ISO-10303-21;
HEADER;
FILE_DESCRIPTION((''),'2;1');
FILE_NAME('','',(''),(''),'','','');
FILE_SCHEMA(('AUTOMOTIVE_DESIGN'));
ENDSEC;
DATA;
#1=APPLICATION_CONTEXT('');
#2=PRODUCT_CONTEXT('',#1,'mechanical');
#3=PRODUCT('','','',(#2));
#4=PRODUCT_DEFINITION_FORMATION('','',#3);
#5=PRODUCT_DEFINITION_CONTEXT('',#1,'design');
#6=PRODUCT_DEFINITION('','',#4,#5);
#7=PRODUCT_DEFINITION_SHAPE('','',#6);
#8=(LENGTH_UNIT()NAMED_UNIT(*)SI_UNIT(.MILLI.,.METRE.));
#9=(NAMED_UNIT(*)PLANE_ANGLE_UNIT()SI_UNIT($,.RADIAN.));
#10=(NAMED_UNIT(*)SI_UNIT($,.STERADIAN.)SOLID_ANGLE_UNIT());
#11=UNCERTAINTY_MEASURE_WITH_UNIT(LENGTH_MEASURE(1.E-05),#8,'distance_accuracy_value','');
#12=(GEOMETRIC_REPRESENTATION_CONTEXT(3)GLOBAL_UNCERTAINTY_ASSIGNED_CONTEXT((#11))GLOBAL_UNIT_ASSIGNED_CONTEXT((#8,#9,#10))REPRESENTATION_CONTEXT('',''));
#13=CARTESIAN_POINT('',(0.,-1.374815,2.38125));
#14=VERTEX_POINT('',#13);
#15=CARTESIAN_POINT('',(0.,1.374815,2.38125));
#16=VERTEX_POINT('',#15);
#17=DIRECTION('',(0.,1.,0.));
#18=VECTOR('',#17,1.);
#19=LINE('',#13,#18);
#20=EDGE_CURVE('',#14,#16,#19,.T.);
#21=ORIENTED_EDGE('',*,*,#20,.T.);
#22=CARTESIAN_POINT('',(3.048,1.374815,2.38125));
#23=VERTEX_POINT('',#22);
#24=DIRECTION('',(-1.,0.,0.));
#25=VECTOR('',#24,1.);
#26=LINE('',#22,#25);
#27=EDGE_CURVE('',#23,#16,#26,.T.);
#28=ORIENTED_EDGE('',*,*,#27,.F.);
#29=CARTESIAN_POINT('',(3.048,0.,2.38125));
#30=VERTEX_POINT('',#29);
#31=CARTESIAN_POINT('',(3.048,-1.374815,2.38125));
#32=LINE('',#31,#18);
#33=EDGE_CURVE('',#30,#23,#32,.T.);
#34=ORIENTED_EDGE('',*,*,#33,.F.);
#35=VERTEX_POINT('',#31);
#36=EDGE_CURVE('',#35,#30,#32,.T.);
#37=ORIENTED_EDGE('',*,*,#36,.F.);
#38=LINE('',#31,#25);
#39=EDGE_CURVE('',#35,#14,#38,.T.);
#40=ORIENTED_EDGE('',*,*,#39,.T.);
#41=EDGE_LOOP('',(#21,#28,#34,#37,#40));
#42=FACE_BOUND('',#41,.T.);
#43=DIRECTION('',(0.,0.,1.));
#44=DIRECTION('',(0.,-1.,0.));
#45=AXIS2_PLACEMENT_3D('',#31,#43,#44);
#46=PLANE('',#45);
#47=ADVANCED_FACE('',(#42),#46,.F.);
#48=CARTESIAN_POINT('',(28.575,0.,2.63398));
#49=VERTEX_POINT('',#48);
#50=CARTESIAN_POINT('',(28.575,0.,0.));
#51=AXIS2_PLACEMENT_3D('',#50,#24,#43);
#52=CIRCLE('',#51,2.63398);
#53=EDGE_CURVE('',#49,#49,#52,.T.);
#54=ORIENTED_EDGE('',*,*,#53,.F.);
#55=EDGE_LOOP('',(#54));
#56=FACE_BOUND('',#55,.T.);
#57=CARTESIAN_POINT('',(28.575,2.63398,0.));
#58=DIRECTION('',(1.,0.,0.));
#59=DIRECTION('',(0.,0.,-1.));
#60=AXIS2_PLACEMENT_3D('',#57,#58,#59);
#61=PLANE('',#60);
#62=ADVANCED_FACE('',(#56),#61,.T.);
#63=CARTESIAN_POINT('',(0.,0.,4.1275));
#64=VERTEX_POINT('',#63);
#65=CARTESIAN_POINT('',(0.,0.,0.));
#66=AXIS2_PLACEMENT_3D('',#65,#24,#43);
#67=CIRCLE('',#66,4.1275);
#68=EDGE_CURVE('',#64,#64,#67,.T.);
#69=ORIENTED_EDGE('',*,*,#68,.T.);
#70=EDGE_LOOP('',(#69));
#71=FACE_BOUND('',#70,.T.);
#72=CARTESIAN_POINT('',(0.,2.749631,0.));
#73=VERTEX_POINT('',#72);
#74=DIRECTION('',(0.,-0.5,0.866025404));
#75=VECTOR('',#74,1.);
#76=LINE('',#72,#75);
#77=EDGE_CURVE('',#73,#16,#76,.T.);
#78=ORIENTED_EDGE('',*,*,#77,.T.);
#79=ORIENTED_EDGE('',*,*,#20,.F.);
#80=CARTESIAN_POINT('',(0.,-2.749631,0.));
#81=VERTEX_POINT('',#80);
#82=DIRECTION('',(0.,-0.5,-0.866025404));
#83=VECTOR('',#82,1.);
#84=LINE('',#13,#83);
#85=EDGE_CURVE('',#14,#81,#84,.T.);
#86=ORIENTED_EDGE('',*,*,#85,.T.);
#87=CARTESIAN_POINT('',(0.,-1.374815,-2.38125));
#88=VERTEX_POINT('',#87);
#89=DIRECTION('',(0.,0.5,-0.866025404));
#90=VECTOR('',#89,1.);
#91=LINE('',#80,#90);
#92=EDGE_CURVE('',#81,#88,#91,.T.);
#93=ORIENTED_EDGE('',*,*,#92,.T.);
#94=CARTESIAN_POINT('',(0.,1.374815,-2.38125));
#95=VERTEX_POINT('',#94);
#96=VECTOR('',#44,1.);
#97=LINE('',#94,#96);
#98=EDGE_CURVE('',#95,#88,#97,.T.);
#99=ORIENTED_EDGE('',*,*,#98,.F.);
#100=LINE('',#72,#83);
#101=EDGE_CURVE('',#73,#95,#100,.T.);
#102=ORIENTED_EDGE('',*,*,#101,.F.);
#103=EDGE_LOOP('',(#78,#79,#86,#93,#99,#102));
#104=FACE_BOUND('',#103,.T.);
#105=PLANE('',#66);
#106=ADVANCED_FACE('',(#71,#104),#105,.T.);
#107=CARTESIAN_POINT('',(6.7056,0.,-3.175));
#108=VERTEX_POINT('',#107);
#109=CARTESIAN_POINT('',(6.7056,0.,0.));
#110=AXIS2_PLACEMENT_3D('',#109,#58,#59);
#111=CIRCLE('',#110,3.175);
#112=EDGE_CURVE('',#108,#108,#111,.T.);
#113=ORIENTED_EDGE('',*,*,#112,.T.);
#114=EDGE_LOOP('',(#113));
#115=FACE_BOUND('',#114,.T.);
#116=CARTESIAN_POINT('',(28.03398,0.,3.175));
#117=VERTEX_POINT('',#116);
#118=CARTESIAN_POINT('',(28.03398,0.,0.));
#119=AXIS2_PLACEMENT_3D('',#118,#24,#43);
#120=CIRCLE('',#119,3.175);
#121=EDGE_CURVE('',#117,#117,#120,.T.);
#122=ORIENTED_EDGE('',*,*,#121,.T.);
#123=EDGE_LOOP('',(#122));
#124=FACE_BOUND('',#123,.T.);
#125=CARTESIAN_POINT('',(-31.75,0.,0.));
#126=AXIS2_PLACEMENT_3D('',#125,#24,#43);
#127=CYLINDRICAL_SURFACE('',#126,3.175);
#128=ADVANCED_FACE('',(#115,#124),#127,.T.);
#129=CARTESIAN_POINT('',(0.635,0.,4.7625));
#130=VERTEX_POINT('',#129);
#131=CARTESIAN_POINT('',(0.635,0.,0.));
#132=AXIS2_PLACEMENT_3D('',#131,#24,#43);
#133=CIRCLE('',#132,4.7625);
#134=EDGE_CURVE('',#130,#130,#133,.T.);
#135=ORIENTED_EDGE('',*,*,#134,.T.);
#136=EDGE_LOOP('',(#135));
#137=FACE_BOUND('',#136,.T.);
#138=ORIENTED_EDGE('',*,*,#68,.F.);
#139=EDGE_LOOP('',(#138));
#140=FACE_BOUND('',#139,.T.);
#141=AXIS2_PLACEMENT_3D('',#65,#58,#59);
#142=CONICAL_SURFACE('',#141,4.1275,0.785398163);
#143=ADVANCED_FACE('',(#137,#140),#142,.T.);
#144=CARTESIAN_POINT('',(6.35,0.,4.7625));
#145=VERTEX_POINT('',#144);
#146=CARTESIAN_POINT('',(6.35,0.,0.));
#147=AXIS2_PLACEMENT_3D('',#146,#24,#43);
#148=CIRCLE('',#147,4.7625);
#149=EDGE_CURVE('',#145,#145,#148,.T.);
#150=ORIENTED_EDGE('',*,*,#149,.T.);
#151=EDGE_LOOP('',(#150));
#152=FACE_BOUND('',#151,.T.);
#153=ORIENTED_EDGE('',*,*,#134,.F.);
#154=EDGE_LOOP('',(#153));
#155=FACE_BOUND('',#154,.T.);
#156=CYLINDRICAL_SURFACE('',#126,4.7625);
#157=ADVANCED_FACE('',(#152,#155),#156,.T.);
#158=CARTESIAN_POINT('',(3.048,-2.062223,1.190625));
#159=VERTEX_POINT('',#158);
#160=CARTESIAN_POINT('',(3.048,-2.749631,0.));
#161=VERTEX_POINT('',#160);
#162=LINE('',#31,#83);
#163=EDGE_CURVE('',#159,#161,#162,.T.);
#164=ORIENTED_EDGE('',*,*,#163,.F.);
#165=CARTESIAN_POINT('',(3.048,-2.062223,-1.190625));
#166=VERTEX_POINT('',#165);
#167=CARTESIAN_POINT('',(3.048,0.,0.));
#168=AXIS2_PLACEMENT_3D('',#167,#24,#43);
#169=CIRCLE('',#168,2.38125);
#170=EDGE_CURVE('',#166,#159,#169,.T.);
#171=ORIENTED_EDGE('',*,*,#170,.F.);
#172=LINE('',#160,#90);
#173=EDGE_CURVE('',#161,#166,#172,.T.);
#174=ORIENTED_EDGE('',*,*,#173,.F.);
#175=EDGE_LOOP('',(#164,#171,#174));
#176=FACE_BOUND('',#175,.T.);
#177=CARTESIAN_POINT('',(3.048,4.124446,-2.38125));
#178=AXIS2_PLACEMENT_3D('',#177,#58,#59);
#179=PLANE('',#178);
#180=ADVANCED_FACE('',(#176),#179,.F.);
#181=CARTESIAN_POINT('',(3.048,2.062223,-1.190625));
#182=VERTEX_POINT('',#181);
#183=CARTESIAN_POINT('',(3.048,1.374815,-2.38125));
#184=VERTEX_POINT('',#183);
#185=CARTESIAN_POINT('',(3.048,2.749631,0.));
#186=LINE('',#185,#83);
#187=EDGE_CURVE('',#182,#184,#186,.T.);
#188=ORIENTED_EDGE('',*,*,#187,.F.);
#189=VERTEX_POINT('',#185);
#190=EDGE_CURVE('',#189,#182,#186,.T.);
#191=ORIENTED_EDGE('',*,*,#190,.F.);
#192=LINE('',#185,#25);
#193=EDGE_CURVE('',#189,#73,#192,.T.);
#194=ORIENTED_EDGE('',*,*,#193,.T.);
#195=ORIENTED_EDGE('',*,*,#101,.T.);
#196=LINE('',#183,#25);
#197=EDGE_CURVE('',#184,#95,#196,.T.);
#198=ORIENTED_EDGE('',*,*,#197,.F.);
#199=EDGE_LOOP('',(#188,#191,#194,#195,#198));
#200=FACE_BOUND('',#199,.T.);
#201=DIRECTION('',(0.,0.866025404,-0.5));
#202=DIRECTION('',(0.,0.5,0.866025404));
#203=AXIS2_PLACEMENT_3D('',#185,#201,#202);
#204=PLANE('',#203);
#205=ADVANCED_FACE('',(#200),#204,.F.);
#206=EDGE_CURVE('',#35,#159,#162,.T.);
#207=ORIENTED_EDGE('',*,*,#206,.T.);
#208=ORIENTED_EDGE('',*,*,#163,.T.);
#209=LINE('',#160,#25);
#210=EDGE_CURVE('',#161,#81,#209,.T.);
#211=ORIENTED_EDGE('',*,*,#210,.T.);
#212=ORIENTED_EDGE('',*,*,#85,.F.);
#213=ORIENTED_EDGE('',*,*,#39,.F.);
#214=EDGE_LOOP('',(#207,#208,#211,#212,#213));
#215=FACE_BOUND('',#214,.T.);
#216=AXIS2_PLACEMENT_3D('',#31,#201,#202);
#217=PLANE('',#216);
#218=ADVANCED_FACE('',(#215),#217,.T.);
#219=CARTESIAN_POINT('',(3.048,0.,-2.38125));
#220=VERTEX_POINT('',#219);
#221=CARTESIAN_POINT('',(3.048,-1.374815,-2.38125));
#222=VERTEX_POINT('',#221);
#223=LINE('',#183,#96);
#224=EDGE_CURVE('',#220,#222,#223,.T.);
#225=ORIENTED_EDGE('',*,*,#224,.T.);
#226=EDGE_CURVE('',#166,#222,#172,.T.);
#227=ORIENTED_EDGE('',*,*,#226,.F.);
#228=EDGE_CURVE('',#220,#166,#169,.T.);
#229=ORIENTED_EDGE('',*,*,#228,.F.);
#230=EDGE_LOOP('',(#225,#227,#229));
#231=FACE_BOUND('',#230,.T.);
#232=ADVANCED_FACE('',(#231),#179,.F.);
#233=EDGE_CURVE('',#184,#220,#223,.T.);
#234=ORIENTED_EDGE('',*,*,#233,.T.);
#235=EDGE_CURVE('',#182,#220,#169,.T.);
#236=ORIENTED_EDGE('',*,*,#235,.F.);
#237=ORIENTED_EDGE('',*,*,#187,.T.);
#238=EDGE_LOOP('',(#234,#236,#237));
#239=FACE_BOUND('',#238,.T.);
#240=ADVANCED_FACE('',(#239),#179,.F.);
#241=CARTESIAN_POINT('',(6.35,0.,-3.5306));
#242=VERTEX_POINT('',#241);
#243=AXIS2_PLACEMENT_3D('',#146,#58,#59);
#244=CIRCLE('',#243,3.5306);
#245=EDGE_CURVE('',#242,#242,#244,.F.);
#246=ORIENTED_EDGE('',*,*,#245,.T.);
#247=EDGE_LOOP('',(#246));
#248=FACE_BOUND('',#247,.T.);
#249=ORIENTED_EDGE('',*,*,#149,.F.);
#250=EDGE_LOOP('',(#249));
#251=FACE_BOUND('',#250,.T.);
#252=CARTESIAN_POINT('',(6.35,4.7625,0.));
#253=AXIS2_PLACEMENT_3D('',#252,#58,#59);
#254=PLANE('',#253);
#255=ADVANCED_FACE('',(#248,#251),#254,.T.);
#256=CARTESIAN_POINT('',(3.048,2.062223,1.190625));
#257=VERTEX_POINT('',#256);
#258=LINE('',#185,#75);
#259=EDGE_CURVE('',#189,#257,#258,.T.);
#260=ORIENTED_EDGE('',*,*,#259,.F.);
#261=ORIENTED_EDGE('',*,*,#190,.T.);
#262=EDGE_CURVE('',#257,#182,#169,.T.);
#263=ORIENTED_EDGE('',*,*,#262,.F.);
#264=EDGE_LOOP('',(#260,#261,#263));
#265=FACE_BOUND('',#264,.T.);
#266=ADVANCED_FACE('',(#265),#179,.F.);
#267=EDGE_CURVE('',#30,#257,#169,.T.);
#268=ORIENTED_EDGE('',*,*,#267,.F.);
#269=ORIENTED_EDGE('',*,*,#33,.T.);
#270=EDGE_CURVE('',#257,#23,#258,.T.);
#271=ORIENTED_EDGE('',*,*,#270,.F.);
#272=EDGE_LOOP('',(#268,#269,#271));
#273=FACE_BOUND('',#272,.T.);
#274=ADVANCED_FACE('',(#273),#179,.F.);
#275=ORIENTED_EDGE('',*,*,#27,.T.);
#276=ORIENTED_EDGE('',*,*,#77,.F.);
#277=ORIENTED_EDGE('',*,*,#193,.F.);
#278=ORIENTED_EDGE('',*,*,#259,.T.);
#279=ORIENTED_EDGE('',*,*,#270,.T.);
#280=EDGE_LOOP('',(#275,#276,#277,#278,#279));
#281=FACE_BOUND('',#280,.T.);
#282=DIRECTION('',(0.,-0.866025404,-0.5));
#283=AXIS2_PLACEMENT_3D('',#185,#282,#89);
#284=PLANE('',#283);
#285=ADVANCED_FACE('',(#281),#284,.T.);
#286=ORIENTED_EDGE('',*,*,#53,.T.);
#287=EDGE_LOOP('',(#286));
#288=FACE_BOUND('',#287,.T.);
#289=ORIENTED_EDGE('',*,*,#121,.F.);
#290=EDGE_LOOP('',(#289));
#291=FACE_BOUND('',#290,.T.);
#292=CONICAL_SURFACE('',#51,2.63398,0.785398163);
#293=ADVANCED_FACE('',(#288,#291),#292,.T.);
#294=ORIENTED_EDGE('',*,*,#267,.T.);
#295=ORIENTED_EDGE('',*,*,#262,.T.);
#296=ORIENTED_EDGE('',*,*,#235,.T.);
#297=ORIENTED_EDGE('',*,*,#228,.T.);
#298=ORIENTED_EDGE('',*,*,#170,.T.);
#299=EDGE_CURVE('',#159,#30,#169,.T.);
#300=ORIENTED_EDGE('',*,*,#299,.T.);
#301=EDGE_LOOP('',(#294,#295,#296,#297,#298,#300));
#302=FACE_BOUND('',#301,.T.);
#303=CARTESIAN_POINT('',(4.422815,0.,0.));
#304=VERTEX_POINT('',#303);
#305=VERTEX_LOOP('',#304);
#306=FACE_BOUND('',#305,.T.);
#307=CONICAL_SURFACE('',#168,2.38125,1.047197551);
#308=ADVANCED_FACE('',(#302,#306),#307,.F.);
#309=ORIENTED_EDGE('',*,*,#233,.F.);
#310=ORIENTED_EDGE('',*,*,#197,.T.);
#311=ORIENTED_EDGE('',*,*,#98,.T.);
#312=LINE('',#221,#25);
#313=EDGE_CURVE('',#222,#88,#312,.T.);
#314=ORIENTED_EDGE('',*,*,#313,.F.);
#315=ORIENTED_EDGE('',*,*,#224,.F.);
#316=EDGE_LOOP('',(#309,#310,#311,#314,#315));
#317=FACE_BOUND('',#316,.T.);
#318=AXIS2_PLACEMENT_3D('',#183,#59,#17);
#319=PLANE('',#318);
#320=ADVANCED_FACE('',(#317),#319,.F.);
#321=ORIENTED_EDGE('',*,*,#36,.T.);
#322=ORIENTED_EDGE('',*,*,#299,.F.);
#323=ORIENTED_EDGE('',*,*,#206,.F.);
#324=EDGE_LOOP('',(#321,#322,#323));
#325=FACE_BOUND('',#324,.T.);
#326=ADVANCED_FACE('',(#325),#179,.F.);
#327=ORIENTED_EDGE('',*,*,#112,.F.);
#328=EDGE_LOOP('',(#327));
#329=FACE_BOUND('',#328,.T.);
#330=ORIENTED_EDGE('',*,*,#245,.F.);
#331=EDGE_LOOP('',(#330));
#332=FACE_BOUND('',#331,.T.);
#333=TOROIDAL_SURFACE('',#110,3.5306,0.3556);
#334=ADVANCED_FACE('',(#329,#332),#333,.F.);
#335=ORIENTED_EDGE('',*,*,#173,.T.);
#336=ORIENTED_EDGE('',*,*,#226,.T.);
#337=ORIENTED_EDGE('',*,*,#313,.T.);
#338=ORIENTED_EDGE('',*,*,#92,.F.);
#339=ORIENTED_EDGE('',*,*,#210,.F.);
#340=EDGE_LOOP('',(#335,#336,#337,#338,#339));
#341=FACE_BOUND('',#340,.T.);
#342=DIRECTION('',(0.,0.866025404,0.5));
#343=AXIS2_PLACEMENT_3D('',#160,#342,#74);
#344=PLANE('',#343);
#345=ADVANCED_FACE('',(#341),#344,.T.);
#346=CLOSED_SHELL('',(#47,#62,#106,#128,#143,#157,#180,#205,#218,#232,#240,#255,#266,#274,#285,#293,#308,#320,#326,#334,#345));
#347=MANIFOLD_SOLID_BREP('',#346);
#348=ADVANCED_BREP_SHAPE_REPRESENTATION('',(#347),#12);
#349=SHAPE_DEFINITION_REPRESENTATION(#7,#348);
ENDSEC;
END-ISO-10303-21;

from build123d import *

# Parameters (mm, degrees)
FILLET1_R   = 0.3556
HEX_2_DEPTH = 3.048


with BuildPart() as part:
    # BodySke → Base-Revolve (revolve)
    with BuildSketch(Plane.XY, mode=Mode.PRIVATE) as base_revolve_sk:
        Polygon((0, 0), (0, 4.1275), (0.635, 4.7625), (6.35, 4.7625), (6.35, 3.175), (28.03398, 3.175), (28.575, 2.63398), (28.575, 0), align=None)
    revolve(base_revolve_sk.sketch.rotate(Axis((-31.75, 0, 0), (1, 0, 0)), 90), axis=Axis((-31.75, 0, 0), (1, 0, 0)))

    # Fillet1
    fillet1_edges = [part.edges().sort_by_distance(p)[0] for p in [
        (6.35, 0, -3.175),
    ]]
    fillet(fillet1_edges, radius=FILLET1_R)

    # Sketch2 → Hex-PreBroach (revolve, cut)
    with BuildSketch(Plane.XY, mode=Mode.PRIVATE) as hex_prebroach_sk:
        Polygon((0, 2.38125), (3.048, 2.38125), (4.422815329, 0), (0, 0), align=None)
    revolve(hex_prebroach_sk.sketch.rotate(Axis((0, 0, 0), (1, 0, 0)), 90), axis=Axis((0, 0, 0), (1, 0, 0)), mode=Mode.SUBTRACT)

    # Sketch3 → Hex 2 (cut)
    with BuildSketch(Plane(origin=(0, 0, 0), x_dir=(0, 0.500000000000001, 0.866025403784438), z_dir=(-1, 0, 0))):
        Polygon((1.374815329, 2.38125), (-1.374815329, 2.38125), (-2.749630657, 0), (-1.374815329, -2.38125), (1.374815329, -2.38125), (2.749630657, 0), align=None)
    extrude(amount=-HEX_2_DEPTH, mode=Mode.SUBTRACT)


solid = part.part
